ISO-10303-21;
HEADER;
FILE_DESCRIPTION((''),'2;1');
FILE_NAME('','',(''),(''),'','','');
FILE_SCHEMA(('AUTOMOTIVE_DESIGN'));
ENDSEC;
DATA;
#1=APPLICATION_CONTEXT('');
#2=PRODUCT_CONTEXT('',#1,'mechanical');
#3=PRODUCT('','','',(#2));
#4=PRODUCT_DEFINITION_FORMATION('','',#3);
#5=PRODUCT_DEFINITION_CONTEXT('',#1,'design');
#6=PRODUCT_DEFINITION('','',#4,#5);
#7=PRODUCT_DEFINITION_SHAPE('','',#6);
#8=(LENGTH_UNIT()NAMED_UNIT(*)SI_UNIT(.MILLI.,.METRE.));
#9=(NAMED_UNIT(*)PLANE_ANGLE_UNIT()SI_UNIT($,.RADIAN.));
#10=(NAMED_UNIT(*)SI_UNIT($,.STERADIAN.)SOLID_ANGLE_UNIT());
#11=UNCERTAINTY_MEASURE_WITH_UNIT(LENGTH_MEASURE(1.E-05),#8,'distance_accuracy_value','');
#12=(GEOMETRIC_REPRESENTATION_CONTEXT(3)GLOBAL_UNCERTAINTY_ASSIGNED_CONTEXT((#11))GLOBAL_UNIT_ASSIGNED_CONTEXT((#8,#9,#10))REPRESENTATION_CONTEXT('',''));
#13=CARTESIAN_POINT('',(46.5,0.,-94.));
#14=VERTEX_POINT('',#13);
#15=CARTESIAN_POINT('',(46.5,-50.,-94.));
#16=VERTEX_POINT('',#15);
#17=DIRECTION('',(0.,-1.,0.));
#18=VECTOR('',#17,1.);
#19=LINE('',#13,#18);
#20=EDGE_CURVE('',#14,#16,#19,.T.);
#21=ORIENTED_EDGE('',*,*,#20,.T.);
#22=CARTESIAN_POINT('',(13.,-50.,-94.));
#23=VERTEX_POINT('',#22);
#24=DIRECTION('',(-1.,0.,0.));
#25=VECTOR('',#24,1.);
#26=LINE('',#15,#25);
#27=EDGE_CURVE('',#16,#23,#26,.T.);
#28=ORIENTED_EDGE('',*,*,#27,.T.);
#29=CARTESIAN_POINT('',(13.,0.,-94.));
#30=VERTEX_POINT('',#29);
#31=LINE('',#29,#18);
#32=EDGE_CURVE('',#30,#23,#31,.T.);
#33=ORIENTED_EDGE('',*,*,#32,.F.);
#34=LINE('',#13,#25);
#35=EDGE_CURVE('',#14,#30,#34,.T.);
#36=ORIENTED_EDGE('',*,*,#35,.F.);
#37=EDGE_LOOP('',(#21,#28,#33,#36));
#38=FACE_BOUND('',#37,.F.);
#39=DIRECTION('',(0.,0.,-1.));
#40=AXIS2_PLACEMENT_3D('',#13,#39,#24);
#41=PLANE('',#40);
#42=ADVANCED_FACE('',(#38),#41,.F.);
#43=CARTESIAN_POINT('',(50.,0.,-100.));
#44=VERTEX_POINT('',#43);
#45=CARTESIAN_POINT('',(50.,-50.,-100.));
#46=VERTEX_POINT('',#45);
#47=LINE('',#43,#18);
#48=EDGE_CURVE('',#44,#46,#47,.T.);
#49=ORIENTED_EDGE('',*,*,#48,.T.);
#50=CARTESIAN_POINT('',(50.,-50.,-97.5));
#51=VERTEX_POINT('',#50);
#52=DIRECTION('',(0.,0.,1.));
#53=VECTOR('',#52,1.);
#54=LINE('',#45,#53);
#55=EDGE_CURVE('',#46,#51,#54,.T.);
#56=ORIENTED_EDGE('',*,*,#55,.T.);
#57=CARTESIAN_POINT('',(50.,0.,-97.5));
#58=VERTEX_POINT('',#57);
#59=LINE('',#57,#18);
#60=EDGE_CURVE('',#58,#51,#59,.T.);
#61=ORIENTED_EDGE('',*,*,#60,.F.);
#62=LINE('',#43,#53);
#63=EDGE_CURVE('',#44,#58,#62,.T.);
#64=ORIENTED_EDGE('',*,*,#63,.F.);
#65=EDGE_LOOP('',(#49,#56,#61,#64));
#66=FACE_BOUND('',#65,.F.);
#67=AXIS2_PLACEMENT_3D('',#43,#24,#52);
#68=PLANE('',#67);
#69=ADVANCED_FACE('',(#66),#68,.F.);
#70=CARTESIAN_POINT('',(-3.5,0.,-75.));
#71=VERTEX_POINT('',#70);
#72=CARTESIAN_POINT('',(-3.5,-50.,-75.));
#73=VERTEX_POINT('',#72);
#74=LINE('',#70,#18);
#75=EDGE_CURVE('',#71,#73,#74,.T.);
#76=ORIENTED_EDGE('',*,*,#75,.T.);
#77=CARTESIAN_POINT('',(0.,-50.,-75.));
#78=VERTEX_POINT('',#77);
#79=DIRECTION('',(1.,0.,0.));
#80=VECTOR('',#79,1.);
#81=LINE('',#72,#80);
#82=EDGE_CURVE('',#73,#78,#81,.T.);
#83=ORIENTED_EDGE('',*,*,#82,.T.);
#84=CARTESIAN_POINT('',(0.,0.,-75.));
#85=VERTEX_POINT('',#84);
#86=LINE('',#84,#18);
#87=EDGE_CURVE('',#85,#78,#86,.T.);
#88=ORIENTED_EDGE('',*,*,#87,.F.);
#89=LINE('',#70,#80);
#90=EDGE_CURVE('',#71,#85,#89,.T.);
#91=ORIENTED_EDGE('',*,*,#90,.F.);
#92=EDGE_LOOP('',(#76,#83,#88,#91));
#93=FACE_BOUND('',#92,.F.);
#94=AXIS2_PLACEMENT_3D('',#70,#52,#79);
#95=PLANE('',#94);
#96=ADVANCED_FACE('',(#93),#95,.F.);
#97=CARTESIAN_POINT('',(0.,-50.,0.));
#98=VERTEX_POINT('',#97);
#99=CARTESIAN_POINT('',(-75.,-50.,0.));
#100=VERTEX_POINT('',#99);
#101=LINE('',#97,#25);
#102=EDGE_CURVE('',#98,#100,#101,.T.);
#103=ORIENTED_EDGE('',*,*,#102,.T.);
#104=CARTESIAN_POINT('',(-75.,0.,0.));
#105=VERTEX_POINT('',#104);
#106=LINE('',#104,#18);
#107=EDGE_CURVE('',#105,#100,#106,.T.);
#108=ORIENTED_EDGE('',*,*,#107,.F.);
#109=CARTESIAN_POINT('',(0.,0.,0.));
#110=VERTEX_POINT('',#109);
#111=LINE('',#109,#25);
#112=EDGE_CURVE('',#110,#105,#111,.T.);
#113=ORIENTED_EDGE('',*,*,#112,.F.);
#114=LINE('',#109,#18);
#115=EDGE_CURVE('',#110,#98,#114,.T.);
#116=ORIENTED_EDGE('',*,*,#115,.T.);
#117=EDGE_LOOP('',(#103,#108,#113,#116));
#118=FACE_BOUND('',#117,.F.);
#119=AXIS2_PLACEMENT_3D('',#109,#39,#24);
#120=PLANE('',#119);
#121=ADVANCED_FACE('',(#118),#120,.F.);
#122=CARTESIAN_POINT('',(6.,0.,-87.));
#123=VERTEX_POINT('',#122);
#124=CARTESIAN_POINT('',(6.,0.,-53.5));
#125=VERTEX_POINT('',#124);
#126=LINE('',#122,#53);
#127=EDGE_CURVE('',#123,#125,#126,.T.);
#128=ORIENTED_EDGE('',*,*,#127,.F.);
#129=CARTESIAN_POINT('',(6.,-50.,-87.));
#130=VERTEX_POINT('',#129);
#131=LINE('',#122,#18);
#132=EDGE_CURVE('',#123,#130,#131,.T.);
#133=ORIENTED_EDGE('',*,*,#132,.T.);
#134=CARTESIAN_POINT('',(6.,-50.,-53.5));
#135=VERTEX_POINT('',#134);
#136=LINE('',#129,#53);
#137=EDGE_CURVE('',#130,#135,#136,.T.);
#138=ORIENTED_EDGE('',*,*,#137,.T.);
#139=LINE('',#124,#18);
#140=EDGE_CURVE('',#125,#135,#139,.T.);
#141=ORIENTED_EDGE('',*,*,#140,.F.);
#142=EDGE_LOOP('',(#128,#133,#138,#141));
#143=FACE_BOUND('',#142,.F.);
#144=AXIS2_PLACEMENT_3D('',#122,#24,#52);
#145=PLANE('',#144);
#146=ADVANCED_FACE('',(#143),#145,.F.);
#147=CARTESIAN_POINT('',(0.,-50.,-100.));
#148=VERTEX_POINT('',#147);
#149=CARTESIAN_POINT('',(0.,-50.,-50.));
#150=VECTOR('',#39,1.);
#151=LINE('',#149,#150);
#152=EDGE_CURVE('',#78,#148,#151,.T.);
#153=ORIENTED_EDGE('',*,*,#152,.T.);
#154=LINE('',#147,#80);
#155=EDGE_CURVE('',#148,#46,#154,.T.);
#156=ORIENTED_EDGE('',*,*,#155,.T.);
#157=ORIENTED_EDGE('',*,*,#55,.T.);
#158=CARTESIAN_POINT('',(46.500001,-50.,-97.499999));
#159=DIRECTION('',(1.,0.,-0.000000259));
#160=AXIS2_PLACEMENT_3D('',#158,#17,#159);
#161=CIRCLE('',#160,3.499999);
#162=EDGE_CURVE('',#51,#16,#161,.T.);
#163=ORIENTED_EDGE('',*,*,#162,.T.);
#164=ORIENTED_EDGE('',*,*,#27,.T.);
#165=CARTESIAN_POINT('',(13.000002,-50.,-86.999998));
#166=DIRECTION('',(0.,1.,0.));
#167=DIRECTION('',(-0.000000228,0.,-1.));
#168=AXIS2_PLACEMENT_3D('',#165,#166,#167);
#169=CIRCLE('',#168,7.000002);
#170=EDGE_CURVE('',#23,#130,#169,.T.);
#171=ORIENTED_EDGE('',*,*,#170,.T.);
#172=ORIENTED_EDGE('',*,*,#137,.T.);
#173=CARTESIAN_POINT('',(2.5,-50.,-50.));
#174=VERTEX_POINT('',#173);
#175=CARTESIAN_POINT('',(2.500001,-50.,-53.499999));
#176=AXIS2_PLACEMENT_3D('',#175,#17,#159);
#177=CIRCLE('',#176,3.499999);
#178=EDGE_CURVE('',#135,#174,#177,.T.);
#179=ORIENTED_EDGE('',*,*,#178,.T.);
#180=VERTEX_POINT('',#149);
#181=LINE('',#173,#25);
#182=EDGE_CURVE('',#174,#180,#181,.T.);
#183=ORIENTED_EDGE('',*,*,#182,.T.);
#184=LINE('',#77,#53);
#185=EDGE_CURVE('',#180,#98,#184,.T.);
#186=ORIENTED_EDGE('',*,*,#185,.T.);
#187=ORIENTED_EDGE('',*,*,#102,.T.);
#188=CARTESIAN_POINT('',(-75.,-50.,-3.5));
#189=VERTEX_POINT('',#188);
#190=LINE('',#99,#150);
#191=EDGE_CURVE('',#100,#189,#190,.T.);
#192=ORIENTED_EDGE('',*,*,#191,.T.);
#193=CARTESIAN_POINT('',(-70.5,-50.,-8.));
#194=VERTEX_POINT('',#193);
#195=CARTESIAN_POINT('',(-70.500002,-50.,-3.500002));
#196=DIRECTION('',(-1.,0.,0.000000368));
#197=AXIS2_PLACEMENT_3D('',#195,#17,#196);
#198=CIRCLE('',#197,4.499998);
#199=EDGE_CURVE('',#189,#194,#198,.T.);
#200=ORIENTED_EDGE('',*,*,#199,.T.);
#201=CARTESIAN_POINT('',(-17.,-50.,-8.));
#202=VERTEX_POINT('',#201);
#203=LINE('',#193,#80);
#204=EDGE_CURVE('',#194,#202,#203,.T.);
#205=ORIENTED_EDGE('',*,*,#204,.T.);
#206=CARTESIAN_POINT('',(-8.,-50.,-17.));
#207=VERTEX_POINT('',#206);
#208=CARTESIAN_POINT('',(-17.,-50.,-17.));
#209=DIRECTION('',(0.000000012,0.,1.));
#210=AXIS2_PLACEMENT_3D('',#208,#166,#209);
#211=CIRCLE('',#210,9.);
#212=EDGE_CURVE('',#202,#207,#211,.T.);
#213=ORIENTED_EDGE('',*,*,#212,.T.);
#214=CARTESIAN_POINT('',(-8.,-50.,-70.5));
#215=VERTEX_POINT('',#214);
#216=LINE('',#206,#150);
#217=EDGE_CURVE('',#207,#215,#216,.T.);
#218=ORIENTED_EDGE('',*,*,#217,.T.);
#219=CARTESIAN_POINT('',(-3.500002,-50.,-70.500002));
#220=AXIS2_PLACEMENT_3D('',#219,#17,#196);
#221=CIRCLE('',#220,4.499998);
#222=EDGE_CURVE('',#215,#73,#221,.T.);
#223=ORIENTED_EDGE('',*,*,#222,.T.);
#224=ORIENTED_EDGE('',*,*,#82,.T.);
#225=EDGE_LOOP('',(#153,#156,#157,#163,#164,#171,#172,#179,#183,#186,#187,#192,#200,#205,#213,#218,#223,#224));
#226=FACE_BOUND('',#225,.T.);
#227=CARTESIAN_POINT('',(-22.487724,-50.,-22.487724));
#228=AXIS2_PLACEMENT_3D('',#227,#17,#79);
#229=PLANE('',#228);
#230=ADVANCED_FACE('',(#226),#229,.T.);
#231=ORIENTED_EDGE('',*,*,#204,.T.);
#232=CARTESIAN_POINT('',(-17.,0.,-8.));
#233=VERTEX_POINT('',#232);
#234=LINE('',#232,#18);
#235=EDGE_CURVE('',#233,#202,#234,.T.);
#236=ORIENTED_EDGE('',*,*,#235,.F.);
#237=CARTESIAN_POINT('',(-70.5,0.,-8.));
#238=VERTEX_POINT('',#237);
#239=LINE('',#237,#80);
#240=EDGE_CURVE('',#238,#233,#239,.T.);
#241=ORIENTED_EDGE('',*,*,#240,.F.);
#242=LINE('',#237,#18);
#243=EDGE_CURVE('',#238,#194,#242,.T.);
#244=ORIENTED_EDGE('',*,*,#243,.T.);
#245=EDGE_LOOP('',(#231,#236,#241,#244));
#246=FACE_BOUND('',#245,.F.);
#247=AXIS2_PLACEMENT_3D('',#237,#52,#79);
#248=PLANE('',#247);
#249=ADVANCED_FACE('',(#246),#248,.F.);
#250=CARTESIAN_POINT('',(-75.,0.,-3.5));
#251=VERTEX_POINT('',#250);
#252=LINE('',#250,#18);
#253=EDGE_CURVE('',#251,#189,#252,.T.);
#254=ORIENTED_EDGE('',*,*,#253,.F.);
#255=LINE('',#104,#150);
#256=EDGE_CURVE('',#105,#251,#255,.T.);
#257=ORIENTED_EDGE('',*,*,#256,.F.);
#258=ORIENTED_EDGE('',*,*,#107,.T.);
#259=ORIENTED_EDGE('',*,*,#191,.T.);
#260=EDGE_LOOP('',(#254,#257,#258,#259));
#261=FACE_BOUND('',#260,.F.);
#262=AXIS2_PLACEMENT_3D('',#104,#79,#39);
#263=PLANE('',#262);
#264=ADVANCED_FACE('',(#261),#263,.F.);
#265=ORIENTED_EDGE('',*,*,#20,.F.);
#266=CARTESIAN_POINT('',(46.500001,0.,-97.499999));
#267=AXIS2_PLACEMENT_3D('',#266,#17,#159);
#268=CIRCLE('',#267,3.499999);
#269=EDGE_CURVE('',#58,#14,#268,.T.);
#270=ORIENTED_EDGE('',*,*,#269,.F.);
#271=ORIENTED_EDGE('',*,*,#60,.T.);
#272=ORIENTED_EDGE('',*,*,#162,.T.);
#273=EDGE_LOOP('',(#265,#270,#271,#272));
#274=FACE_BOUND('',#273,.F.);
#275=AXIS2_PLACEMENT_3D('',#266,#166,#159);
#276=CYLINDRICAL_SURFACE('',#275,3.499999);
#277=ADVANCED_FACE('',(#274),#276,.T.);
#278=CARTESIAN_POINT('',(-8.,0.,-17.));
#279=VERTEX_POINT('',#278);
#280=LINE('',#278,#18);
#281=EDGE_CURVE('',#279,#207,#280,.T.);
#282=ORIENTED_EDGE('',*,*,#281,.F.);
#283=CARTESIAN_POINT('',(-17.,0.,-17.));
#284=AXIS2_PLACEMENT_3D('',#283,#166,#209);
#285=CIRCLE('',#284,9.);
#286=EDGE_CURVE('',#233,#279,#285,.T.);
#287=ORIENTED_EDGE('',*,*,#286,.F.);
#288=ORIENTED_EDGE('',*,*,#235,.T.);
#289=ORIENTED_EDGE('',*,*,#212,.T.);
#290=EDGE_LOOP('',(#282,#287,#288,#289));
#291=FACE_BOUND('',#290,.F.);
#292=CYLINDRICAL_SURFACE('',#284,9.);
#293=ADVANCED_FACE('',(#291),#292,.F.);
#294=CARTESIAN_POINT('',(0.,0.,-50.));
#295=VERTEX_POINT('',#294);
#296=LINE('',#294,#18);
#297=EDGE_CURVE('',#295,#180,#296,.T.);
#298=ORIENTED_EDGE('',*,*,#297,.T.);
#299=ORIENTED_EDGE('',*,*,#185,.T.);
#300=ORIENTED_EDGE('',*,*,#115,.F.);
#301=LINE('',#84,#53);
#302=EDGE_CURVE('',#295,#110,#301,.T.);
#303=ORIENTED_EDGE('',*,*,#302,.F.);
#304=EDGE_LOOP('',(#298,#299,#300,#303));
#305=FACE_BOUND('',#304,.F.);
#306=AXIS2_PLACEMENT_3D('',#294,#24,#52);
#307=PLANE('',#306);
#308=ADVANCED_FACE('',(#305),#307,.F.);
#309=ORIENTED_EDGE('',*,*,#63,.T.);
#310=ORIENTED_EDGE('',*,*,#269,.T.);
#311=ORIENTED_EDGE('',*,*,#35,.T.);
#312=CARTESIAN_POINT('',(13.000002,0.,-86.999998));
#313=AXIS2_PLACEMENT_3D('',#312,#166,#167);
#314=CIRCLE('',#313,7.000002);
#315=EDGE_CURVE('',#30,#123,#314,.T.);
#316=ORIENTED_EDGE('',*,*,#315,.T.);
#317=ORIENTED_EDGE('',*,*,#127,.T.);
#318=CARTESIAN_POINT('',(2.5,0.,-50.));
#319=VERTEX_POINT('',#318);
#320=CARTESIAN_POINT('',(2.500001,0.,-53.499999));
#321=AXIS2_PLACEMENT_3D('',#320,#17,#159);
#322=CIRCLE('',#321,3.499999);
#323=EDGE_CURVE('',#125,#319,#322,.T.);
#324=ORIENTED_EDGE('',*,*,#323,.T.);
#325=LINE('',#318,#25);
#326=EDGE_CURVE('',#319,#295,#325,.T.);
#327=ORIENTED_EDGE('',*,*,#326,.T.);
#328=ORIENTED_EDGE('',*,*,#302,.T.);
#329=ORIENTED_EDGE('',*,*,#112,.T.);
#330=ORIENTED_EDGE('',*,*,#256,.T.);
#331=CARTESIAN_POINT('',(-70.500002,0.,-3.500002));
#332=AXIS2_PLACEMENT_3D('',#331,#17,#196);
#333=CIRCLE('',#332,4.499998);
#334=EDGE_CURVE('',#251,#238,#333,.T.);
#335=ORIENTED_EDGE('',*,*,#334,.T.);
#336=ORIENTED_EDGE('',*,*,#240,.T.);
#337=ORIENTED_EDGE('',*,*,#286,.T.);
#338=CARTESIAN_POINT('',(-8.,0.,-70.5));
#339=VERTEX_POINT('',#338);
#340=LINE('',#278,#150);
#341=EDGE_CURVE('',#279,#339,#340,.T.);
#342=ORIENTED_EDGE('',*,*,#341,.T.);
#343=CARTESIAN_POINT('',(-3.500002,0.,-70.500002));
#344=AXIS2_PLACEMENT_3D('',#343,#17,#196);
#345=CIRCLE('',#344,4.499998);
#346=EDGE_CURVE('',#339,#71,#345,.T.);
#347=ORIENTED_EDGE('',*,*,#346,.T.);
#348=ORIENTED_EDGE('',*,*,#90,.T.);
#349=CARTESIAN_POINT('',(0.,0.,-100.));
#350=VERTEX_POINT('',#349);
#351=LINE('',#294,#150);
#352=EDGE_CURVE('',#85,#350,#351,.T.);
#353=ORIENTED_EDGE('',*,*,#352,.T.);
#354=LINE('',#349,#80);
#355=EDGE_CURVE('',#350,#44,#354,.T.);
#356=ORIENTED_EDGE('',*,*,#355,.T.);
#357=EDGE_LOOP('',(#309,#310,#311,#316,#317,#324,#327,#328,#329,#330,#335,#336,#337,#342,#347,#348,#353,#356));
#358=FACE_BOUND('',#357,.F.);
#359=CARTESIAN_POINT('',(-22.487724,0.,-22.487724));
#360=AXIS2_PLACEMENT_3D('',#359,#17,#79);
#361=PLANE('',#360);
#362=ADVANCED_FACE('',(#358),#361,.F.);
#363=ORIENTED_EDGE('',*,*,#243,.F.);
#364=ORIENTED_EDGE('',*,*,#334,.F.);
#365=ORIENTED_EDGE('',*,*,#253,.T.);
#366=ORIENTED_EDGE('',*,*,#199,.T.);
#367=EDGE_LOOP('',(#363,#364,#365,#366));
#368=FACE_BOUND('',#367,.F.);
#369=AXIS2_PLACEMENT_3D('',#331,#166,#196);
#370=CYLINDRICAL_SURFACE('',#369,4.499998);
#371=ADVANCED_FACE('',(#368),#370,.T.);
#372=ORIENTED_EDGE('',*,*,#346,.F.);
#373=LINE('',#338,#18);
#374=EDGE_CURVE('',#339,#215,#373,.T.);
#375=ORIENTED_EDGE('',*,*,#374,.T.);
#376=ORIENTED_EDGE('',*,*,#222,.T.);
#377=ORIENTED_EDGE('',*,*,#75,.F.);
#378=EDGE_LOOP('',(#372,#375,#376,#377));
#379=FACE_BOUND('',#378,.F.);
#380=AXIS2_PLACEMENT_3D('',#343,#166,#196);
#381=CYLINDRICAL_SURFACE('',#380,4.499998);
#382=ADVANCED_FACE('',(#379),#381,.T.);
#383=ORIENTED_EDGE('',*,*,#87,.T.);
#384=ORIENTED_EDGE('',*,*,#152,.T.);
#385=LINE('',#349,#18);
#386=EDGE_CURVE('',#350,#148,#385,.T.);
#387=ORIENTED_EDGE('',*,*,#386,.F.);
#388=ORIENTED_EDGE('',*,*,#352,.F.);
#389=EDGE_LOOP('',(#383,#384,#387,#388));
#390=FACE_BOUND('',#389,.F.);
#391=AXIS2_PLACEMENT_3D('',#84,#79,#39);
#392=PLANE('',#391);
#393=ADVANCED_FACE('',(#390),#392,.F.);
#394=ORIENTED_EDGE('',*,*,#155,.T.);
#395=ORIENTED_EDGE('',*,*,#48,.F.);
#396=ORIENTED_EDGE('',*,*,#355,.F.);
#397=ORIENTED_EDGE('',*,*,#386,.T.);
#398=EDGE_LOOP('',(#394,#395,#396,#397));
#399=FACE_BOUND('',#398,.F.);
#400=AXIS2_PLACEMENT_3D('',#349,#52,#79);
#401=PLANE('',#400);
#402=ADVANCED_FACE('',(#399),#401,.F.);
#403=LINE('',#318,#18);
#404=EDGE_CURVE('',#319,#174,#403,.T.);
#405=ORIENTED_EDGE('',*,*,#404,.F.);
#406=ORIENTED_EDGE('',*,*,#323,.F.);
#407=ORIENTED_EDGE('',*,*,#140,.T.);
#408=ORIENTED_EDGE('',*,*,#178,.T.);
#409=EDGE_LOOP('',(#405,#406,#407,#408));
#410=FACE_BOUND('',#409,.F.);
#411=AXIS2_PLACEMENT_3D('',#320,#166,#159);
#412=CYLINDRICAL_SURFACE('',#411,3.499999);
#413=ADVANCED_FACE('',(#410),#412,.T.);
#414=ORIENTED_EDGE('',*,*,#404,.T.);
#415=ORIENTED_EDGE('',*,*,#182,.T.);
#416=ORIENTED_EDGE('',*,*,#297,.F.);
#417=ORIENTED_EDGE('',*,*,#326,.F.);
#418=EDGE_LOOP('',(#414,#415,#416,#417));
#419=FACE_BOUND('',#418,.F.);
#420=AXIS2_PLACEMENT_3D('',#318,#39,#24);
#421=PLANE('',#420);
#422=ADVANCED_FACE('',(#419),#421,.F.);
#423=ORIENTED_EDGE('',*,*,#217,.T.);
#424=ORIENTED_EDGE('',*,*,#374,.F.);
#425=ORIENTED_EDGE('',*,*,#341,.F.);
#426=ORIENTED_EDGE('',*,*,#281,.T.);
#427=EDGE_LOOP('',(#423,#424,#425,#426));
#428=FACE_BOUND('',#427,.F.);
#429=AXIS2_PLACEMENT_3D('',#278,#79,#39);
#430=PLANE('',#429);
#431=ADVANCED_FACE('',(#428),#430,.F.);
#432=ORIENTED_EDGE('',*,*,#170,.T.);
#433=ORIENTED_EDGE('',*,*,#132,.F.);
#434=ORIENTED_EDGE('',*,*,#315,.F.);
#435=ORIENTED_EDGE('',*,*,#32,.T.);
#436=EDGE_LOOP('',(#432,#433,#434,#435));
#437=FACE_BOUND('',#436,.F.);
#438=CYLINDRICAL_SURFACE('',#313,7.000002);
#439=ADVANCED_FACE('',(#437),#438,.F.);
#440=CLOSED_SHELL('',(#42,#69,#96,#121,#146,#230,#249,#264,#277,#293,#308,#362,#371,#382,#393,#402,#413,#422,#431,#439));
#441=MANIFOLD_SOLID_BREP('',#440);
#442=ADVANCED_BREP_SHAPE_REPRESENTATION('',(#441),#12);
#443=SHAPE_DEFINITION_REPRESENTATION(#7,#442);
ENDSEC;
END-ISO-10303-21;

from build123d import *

# Parameters (mm, degrees)
F1_DEPTH = 50


with BuildPart() as f1:
    # F0 (on Front) → F1 (new body)
    with BuildSketch(Plane.XZ):
        with BuildLine():
            Line((0, 0), (-75, 0))
            Line((-75, 0), (-75, -3.5))
            ThreePointArc((-75, -3.5), (-73.681981, -6.681981), (-70.5, -8))
            Line((-70.5, -8), (-17, -8))
            ThreePointArc((-17, -8), (-10.636039, -10.636039), (-8, -17))
            Line((-8, -17), (-8, -70.5))
            ThreePointArc((-8, -70.5), (-6.681981, -73.681981), (-3.5, -75))
            Line((-3.5, -75), (0, -75))
            Line((0, -75), (0, -50))
            Line((0, -50), (0, 0))
        make_face()
        with BuildLine():
            Line((2.5, -50), (0, -50))
            Line((0, -50), (0, -75))
            Line((0, -75), (0, -100))
            Line((0, -100), (50, -100))
            Line((50, -100), (50, -97.5))
            ThreePointArc((50, -97.5), (48.974874, -95.025126), (46.5, -94))
            Line((46.5, -94), (13, -94))
            ThreePointArc((13, -94), (8.050253, -91.949747), (6, -87))
            Line((6, -87), (6, -53.5))
            ThreePointArc((6, -53.5), (4.974874, -51.025126), (2.5, -50))
        make_face()
    extrude(amount=F1_DEPTH)


solid = f1.part
